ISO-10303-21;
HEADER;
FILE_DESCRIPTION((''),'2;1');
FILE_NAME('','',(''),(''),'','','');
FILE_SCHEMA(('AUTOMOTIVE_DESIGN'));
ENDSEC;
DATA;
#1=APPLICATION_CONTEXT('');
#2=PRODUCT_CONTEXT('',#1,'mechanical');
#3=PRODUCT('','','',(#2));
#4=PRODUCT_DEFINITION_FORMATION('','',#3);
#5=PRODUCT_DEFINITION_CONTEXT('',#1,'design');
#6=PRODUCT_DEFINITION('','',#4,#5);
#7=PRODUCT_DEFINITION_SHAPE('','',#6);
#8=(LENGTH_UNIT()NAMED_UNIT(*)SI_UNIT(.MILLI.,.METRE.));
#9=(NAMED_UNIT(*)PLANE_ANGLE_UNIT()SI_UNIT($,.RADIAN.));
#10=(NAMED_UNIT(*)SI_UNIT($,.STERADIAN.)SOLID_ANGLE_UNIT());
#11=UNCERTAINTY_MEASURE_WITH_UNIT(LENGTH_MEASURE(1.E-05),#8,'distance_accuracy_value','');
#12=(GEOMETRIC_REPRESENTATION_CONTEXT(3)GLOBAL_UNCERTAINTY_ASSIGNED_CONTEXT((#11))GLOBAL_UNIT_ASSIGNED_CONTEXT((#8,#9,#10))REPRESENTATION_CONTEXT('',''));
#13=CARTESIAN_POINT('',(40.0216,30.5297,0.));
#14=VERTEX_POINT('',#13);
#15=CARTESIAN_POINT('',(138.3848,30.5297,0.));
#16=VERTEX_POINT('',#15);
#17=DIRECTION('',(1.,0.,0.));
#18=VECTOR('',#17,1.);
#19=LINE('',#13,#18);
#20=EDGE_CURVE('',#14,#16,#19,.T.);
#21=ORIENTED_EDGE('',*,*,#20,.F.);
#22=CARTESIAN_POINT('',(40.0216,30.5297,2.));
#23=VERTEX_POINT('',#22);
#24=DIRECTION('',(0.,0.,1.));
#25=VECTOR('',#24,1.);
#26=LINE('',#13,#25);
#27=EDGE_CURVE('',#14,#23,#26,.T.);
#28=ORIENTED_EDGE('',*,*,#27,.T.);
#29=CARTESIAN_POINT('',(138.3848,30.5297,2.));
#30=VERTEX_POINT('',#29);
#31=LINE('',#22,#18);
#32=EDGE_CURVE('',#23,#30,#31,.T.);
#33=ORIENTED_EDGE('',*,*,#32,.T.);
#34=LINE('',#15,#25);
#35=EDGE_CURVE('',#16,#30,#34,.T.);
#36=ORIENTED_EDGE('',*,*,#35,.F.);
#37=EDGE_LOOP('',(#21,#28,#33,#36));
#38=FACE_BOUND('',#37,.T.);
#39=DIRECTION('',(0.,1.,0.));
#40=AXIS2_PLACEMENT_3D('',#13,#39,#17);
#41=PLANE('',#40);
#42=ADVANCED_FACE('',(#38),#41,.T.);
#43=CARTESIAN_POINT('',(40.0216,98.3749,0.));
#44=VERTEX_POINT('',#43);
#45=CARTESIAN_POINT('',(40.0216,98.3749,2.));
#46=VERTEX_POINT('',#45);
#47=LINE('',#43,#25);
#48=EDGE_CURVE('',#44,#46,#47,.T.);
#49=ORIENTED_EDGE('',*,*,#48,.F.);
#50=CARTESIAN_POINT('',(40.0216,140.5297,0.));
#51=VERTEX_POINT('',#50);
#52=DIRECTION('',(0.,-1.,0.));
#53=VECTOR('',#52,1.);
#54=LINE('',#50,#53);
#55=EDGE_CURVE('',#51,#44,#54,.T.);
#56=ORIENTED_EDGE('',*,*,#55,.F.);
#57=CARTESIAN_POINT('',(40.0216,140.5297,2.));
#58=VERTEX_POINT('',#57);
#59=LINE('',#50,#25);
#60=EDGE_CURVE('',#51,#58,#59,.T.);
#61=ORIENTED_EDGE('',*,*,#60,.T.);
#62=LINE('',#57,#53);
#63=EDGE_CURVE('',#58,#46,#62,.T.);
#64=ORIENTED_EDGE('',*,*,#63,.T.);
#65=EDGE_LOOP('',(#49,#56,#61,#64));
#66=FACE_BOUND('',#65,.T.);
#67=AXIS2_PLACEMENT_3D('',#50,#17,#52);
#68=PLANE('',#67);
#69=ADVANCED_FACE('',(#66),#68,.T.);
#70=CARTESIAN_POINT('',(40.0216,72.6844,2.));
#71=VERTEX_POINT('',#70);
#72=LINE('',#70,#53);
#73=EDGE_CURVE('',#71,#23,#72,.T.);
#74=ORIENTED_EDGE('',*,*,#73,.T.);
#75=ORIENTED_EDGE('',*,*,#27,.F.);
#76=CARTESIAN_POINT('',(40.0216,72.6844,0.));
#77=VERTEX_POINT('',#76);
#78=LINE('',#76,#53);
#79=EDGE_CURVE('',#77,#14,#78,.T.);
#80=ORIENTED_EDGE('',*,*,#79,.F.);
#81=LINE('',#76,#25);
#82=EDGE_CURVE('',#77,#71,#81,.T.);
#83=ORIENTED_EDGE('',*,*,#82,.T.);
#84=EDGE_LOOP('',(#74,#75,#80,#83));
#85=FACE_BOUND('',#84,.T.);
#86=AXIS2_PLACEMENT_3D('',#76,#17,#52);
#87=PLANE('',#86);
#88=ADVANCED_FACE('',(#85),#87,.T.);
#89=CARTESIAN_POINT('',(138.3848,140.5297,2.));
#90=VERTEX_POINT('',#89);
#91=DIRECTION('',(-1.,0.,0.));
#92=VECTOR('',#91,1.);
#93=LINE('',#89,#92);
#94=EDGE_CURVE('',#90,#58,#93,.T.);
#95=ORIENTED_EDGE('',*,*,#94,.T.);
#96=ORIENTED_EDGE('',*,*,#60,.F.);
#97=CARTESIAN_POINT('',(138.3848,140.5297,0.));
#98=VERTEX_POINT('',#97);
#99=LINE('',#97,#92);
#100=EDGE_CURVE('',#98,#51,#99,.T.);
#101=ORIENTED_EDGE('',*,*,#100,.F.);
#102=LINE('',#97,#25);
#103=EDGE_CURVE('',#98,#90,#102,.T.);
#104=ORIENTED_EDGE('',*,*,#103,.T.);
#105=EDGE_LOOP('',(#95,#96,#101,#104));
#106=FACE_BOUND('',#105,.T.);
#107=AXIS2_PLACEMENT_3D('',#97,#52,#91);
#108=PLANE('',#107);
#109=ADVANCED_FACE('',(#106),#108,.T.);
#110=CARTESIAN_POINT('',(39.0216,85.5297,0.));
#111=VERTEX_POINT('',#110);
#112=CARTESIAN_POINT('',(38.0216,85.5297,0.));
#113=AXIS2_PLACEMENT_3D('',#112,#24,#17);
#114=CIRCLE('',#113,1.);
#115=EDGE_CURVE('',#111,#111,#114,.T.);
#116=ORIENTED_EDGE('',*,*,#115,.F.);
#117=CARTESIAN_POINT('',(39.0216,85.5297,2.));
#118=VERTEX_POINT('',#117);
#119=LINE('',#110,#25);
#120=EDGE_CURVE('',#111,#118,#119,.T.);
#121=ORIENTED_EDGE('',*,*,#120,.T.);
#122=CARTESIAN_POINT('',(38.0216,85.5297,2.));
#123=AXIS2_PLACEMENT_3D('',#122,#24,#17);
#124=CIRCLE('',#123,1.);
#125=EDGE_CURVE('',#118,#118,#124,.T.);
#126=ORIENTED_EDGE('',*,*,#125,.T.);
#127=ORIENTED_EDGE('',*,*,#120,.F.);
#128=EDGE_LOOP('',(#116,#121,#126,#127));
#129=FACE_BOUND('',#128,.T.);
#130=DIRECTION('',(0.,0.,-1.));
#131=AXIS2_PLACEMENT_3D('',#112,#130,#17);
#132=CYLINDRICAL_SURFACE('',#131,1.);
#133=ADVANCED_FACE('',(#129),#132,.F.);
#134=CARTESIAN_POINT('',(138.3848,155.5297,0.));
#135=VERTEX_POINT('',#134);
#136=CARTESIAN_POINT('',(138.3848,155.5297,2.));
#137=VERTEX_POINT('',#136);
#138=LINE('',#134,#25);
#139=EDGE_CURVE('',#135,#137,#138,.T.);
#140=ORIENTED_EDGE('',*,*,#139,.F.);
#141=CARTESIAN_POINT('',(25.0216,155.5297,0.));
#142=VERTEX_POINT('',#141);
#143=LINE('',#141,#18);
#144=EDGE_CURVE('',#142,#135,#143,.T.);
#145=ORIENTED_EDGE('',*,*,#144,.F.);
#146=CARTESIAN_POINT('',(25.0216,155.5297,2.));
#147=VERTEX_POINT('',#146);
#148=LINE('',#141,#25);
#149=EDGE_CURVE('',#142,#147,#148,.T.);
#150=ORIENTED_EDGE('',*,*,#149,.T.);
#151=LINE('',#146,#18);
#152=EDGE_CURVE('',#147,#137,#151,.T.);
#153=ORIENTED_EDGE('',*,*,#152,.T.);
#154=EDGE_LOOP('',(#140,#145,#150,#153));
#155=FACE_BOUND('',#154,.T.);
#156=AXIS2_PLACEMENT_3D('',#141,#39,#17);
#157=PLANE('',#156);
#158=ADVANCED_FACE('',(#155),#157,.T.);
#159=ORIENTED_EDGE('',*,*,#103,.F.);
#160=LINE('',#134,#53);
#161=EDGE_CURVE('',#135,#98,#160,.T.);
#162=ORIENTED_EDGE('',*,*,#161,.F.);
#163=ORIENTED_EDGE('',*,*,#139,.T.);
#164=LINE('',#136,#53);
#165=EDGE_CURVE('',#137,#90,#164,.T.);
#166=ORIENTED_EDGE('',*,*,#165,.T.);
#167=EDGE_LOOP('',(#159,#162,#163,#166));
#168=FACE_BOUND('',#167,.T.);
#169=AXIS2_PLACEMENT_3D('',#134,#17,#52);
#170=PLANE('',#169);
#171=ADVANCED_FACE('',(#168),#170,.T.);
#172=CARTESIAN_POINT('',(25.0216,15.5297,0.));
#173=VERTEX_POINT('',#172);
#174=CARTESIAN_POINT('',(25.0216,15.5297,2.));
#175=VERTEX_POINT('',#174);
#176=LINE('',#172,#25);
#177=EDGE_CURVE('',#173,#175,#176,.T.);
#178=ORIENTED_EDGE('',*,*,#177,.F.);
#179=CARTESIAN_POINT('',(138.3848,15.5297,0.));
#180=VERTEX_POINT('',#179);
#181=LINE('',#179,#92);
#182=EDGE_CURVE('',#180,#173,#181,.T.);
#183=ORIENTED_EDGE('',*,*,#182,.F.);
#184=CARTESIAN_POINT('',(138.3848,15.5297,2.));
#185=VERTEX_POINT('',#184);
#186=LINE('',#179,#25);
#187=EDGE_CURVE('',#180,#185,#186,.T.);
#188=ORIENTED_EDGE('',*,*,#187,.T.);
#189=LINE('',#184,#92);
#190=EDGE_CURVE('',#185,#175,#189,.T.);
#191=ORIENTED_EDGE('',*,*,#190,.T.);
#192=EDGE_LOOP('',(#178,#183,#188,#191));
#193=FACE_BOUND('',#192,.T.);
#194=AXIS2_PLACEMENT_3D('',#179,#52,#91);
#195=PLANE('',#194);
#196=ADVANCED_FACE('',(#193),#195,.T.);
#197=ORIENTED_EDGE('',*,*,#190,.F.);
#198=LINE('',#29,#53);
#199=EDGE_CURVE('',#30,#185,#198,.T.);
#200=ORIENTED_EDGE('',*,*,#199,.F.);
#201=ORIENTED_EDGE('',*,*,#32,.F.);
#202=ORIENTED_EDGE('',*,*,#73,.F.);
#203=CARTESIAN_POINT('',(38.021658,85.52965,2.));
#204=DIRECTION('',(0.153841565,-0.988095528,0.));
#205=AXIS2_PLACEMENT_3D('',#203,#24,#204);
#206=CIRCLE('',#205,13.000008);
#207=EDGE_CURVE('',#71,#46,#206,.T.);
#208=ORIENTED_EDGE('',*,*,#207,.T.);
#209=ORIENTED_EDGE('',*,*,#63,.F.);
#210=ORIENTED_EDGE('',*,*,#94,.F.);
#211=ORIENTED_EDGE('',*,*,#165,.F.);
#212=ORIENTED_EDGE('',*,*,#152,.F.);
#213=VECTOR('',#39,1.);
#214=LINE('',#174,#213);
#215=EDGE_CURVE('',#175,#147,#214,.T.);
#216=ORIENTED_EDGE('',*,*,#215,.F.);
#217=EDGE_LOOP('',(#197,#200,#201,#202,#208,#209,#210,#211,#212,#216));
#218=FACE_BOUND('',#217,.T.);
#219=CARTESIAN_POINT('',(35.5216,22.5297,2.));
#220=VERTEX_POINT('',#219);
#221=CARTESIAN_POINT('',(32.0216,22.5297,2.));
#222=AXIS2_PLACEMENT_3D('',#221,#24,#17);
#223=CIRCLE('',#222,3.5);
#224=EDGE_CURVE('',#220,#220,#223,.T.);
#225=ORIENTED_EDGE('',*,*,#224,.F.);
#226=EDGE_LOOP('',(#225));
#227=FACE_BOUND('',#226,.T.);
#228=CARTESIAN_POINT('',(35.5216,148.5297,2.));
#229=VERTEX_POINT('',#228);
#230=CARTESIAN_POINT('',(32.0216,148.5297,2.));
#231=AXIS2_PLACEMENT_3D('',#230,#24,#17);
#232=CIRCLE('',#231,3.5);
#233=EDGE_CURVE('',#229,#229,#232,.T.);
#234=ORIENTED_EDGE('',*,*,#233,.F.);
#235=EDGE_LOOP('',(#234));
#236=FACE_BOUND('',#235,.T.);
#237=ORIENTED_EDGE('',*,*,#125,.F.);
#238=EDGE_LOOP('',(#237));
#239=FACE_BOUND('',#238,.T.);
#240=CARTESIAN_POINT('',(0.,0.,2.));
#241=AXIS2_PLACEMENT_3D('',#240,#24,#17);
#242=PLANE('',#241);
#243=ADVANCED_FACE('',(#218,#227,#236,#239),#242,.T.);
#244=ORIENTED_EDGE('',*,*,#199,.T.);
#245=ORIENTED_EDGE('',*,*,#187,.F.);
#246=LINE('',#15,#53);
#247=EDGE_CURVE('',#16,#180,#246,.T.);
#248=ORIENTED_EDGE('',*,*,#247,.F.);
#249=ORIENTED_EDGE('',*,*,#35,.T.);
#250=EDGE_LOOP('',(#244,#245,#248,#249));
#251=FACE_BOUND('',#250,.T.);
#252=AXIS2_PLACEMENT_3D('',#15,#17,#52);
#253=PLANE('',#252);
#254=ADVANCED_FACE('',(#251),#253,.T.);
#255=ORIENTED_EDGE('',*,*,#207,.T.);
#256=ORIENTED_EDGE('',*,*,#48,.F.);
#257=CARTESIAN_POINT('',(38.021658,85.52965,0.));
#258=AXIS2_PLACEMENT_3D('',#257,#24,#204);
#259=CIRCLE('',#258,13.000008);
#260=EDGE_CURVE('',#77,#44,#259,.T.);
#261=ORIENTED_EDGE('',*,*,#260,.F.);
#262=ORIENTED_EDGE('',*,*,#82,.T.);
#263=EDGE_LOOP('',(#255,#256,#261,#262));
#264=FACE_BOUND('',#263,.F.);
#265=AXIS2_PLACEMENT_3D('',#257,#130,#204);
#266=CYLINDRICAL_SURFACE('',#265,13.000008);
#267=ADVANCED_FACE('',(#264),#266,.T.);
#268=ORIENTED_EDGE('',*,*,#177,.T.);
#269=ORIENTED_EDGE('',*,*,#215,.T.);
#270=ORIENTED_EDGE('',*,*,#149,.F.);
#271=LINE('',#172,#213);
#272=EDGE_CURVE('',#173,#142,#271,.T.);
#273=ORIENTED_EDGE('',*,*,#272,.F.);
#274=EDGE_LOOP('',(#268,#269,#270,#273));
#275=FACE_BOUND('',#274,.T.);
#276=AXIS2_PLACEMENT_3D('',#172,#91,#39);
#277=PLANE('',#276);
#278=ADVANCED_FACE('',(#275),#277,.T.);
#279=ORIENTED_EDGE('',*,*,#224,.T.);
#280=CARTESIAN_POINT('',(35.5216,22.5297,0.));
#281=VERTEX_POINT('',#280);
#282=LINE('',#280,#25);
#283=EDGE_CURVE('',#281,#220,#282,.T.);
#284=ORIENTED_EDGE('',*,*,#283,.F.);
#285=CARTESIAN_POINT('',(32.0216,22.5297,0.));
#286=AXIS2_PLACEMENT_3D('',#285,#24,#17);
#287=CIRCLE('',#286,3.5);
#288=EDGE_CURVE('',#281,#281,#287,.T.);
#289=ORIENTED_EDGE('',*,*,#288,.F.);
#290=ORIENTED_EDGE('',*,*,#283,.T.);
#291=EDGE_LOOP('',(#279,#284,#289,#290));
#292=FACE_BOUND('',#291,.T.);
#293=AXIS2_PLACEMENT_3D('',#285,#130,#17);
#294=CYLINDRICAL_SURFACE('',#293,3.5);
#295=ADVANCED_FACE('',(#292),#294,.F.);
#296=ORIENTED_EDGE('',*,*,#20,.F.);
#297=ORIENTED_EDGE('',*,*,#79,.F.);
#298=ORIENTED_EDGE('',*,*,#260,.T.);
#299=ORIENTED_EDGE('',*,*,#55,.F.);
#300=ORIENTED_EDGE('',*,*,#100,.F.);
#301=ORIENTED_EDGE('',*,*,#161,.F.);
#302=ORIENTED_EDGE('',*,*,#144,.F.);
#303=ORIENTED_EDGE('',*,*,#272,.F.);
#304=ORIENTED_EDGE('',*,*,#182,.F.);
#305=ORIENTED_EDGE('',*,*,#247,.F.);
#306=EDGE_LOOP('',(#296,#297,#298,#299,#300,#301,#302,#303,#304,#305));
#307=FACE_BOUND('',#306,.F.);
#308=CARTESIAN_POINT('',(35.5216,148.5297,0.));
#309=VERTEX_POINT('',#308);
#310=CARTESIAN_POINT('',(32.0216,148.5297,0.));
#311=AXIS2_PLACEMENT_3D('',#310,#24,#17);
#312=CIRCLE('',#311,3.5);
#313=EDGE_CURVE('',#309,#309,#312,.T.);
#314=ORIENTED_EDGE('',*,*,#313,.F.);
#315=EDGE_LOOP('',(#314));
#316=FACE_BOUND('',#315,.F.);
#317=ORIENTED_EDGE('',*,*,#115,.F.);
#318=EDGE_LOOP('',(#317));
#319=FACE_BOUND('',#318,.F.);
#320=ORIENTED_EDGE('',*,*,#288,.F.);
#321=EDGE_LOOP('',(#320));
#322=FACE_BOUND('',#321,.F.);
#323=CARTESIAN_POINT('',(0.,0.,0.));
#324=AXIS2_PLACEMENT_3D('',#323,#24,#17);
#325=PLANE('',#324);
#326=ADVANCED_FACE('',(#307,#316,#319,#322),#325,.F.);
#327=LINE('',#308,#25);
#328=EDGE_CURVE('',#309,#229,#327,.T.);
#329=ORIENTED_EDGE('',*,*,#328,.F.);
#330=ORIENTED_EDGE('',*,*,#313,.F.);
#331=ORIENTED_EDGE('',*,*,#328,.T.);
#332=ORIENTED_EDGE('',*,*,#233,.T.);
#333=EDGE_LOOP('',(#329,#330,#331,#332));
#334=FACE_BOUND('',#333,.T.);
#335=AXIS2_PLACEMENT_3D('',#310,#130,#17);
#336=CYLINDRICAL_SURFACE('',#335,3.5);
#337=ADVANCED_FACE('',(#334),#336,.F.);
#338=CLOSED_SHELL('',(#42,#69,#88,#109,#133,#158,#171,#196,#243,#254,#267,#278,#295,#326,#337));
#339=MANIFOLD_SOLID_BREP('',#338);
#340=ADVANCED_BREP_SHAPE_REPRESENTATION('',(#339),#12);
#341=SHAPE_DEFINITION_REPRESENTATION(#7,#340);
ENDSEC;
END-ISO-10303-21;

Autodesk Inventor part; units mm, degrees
ref_plane "YZ Plane" through (0, 0, 0) normal (1, 0, 0) x (0, 1, 0)
ref_plane "XZ Plane" through (0, 0, 0) normal (0, 1, 0) x (-1, 0, 0)
ref_plane "XY Plane" through (0, 0, 0) normal (0, 0, 1) x (1, 0, 0)
sketch "Boceto1" plane through (0, 0, 0) normal (0, 0, 1) x (1, 0, 0)
  circle A0 centre (32.0216, 148.5297) radius 3.5
  line L0 (40.0216, 140.5297) -> (40.0216, 98.3749)
  line L1 (40.0216, 72.6844) -> (40.0216, 30.5297)
  line L2 (25.0216, 15.5297) -> (25.0216, 155.5297)
  line L3 (40.0216, 30.5297) -> (138.3848, 30.5297)
  line L4 (6.0787, 0.7542) -> (6.0787, 166.9226)
  line L5 (163.6392, 166.9226) -> (163.6392, 0.7542)
  line L6 (138.3848, 15.5297) -> (25.0216, 15.5297)
  line L7 (163.6392, 0.7542) -> (6.0787, 0.7542)
  arc A1 (40.0216, 72.6844) -> (40.0216, 98.3749) centre (38.0216, 85.5297) ccw
  line L8 (138.3848, 30.5297) -> (138.3848, 15.5297)
  line L9 (138.3848, 155.5297) -> (138.3848, 140.5297)
  line L10 (138.3848, 140.5297) -> (40.0216, 140.5297)
  line L11 (6.0787, 166.9226) -> (163.6392, 166.9226)
  line L12 (25.0216, 155.5297) -> (138.3848, 155.5297)
  circle A2 centre (32.0216, 22.5297) radius 3.5
  circle A3 centre (38.0216, 85.5297) radius 1
  point P0 (0, 0)
  point P1 (0, 0)
  point P2 (40.0216, 98.3749)
  dimension "d0" = 2
extrude "Extrusión1" add sketch "Boceto1" along normal blind 2 contours L0 A1 L1 L3 L8 L6 L2 L12 L9 L10
properties part number "P8"
